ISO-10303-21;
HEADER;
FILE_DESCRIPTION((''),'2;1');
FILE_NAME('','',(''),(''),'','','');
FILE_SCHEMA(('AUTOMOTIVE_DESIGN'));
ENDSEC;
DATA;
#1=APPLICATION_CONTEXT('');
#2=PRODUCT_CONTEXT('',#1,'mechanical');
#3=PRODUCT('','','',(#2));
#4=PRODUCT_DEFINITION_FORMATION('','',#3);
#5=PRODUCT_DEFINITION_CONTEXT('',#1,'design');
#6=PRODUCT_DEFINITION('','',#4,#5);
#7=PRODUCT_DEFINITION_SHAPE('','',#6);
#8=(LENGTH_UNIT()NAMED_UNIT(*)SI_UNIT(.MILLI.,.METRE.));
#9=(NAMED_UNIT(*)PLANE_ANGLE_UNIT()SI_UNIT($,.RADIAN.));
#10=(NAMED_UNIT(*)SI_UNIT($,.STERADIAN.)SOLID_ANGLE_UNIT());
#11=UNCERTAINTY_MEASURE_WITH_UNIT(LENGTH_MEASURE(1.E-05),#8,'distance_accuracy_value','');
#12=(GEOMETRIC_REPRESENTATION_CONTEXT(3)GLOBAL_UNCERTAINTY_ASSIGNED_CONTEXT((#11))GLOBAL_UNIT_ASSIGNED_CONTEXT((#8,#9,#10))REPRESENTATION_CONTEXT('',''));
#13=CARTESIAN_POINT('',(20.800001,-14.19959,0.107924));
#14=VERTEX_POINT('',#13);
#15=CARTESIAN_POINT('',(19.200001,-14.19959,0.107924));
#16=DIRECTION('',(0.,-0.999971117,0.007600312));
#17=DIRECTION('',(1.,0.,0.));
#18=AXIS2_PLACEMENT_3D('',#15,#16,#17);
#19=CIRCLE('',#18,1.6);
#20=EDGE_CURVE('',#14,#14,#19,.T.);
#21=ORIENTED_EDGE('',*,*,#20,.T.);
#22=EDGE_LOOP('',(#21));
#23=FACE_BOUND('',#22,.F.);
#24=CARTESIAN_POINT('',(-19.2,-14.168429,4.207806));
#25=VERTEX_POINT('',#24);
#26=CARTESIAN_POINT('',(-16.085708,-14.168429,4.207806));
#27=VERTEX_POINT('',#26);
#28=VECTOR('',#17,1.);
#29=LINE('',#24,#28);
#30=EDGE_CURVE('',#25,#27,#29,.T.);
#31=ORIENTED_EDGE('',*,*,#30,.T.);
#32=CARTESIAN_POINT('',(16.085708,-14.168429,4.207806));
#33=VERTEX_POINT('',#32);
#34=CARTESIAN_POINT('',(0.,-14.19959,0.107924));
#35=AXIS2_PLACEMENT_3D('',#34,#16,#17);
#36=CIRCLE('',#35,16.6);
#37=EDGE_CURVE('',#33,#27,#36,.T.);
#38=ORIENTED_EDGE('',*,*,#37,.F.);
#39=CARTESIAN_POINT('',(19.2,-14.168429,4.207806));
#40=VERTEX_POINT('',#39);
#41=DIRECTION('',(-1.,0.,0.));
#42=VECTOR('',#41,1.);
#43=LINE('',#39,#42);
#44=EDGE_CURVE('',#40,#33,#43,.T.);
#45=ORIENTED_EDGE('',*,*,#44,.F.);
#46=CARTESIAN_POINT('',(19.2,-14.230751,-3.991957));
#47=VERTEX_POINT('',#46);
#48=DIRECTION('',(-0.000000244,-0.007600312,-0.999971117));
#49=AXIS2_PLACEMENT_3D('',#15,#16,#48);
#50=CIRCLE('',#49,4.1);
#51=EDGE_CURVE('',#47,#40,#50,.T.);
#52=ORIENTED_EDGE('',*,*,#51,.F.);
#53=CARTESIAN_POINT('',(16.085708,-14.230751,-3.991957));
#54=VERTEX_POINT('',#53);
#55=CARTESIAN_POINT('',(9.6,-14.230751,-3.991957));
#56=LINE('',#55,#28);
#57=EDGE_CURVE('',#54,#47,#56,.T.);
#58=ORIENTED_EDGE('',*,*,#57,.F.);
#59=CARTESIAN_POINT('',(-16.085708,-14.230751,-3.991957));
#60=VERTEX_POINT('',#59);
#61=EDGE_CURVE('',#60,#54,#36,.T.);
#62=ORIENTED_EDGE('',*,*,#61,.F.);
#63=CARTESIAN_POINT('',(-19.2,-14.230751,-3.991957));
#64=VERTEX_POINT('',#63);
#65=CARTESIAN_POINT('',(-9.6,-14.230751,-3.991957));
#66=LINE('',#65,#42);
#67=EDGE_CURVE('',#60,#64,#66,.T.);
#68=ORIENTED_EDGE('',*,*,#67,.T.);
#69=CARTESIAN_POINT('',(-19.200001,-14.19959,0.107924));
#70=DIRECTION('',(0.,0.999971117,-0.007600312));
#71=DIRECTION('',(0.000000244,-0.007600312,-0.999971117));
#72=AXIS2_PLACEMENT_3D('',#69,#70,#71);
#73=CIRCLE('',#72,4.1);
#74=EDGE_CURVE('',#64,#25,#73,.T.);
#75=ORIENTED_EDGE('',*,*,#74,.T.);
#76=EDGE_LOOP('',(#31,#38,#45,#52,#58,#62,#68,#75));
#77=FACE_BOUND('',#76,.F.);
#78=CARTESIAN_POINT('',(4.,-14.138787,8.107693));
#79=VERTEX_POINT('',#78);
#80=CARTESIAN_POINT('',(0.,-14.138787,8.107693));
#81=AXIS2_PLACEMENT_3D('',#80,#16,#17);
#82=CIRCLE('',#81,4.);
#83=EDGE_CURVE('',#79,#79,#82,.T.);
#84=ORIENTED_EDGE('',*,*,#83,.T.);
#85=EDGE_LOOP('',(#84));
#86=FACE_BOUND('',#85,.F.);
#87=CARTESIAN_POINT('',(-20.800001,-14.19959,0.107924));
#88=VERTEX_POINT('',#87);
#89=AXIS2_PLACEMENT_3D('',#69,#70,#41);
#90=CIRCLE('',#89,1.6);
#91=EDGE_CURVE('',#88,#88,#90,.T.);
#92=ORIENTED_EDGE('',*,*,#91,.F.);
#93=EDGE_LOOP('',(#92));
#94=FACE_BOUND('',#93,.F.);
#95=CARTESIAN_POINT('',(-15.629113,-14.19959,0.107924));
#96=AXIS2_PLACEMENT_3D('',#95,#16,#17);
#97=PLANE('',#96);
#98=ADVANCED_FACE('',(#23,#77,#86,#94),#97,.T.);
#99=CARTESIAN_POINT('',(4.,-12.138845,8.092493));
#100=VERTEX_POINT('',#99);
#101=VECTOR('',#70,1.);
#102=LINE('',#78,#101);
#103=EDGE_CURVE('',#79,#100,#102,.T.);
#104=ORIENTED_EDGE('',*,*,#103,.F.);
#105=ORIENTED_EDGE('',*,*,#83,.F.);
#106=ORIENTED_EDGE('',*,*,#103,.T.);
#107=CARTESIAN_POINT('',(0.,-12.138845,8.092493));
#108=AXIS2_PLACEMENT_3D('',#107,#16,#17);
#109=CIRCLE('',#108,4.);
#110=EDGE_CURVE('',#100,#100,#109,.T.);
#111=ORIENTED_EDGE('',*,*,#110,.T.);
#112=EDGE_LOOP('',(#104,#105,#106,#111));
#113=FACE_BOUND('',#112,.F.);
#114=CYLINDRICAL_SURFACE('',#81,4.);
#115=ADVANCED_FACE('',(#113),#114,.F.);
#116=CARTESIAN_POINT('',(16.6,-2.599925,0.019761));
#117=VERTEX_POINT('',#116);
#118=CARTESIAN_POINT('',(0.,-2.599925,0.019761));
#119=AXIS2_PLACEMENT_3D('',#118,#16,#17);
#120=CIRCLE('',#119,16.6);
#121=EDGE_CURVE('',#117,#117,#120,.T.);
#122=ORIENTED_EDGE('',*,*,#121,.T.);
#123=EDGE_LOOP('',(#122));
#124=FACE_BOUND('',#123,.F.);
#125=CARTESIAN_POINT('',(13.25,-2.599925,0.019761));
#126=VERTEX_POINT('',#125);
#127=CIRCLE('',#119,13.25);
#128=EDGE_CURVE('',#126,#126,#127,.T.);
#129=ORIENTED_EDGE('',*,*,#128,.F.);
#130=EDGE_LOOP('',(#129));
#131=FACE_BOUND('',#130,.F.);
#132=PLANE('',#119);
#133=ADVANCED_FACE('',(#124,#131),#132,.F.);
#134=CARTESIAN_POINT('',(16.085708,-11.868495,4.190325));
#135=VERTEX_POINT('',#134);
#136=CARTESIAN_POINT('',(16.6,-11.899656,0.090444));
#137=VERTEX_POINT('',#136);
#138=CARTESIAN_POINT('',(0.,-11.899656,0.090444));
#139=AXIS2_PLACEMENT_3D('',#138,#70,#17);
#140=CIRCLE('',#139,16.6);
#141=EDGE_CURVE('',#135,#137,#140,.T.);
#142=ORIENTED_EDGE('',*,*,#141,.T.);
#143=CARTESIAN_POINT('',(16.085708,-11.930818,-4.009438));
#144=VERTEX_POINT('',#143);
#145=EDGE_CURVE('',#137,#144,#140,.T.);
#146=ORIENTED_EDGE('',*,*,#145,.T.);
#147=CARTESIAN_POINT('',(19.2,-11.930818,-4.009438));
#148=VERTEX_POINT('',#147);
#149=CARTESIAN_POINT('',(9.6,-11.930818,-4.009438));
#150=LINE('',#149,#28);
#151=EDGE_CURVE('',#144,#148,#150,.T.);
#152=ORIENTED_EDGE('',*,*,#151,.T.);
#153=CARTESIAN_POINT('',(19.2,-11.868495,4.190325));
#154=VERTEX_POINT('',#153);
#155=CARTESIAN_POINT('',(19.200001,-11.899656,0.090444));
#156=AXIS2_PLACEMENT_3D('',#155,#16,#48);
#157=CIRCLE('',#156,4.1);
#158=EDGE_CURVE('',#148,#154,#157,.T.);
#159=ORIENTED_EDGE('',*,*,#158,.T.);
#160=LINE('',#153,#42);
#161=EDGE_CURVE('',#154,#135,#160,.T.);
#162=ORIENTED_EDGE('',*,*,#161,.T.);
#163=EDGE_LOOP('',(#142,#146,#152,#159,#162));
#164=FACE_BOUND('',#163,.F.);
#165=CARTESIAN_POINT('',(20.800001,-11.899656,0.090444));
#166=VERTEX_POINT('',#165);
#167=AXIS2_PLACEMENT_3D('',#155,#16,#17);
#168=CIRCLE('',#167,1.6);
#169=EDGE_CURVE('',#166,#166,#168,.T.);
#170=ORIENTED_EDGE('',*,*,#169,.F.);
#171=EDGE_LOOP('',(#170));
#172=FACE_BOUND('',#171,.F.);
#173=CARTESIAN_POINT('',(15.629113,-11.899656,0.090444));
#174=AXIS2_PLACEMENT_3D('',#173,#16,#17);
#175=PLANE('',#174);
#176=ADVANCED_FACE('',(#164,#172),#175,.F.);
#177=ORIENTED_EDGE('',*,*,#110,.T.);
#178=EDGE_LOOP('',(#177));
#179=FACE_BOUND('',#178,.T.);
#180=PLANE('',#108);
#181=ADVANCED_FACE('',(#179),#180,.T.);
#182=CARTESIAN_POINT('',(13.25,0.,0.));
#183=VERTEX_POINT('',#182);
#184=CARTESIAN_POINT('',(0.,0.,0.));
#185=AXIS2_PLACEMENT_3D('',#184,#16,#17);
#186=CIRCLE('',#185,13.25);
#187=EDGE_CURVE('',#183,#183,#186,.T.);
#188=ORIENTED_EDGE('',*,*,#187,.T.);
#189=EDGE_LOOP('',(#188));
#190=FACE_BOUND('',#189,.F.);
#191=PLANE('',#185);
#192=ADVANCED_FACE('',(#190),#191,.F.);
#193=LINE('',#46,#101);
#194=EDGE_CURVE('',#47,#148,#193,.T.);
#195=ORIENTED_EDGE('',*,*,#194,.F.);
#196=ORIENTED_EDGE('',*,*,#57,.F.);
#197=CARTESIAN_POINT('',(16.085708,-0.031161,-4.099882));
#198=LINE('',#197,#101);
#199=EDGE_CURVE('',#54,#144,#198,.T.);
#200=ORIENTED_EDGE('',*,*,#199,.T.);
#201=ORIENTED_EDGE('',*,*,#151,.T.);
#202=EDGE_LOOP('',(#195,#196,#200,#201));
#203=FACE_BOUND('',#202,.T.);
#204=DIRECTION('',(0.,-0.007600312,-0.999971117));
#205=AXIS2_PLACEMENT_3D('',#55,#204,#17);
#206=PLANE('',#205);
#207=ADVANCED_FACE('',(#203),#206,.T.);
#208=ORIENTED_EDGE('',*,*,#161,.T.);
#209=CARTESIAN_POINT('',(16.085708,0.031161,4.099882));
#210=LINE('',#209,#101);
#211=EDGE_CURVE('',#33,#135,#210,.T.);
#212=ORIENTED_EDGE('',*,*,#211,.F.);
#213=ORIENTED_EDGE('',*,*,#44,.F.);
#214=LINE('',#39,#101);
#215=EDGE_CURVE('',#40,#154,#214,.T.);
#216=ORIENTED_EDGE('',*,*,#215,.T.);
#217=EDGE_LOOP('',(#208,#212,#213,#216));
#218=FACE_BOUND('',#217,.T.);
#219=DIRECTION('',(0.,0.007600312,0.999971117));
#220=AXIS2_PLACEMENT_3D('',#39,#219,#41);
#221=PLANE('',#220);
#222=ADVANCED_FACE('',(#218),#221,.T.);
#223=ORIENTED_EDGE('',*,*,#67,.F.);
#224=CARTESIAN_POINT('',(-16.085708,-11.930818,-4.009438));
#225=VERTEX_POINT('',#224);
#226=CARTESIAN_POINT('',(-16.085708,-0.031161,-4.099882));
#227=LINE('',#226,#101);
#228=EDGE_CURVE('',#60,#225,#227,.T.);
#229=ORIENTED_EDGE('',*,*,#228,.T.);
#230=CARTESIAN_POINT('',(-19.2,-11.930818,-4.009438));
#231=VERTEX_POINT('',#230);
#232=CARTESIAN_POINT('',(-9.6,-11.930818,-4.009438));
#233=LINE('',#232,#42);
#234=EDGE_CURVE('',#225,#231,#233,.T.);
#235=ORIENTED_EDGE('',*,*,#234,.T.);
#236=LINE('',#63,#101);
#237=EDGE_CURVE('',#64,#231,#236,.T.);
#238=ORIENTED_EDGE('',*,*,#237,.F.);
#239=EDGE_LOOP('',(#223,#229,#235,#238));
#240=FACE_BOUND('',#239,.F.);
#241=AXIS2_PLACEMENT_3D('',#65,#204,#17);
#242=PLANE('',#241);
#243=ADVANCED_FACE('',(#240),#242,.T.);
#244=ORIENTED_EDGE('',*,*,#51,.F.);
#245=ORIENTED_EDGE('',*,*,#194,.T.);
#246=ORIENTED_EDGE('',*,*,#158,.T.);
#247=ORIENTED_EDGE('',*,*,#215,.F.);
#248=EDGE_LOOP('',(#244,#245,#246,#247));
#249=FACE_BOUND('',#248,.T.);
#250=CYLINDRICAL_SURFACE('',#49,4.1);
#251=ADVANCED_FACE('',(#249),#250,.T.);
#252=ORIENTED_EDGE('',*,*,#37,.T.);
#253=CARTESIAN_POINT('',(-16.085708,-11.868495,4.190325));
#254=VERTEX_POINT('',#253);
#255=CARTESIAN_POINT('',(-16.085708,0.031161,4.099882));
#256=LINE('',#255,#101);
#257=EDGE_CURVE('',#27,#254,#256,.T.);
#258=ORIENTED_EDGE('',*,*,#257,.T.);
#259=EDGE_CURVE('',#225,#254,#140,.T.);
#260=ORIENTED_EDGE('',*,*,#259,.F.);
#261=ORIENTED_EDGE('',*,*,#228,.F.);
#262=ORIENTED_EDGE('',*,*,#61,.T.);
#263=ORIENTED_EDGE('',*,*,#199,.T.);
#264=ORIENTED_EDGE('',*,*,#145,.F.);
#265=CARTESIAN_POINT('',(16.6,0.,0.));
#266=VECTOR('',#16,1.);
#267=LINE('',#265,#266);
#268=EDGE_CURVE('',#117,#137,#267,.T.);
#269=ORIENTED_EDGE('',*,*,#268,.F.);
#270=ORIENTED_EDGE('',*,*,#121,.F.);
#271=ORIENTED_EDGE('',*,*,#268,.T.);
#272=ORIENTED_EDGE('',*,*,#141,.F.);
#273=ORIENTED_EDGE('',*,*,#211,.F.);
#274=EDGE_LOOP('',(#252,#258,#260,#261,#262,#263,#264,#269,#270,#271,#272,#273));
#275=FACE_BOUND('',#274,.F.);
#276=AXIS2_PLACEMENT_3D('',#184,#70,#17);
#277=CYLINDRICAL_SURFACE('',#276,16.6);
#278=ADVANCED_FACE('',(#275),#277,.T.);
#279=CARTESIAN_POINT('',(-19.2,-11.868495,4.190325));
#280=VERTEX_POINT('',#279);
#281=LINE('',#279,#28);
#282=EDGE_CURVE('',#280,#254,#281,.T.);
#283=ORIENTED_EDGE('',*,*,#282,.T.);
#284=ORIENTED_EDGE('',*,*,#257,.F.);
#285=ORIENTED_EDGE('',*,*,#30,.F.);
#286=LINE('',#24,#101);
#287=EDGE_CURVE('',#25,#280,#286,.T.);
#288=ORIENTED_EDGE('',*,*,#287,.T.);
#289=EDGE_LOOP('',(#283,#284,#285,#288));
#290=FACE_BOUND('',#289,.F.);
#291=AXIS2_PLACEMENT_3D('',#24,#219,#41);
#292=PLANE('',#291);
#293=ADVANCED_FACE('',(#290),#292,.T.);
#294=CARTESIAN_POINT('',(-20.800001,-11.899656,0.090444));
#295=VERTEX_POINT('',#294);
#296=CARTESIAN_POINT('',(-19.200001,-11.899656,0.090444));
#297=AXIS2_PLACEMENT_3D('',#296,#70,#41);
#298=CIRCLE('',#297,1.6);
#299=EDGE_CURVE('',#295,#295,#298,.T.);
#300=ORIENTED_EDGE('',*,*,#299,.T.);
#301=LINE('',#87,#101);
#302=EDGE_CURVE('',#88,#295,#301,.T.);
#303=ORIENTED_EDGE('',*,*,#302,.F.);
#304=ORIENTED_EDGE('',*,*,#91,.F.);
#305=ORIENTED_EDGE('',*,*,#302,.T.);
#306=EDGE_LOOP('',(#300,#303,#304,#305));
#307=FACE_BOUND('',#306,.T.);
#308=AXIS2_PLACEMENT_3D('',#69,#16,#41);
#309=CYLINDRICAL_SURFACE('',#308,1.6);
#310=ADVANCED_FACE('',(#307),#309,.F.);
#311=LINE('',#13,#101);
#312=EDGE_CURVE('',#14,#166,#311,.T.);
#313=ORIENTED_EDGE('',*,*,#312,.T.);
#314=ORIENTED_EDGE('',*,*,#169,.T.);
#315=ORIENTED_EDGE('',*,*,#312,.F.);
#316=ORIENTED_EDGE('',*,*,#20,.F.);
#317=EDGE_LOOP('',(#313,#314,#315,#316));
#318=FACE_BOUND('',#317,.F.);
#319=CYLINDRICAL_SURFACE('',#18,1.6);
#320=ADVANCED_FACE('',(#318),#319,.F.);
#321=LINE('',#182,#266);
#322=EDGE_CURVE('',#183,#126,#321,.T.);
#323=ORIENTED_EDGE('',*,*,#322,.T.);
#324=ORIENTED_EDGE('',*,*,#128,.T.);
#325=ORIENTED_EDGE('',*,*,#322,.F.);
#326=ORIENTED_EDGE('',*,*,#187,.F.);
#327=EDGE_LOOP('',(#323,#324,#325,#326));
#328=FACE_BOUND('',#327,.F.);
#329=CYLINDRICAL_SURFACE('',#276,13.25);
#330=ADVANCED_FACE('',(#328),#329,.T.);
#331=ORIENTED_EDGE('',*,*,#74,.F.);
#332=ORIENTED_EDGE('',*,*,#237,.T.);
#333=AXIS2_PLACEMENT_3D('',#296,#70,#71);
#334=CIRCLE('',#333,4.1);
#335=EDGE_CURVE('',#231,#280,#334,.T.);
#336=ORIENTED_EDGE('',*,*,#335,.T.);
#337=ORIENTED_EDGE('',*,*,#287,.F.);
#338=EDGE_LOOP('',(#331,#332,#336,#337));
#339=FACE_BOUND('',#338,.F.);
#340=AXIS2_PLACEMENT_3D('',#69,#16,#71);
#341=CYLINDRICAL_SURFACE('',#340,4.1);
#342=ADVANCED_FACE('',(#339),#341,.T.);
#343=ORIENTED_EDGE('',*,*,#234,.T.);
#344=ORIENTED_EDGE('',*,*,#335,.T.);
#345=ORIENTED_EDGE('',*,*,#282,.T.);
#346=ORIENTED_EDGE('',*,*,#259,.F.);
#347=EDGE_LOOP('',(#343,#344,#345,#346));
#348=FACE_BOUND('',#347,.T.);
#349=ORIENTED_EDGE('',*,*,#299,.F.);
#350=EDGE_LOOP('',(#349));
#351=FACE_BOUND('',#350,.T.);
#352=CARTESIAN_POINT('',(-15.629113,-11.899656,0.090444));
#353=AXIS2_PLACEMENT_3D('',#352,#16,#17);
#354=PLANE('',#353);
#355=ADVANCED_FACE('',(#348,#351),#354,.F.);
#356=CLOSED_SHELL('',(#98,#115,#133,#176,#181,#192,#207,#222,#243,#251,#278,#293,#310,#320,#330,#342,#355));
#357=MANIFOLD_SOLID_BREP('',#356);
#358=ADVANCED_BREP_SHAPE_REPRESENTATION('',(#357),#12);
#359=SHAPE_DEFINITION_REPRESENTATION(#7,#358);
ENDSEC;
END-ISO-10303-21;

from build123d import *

# Parameters (mm, degrees)
SKETCH002_R        = 16.6
PAD001_DEPTH       = 14.2
SKETCH003_R        = 16.6
SKETCH003_R_2      = 13.25
POCKET001_DEPTH    = 2.6
SKETCH009_R        = 4
POCKET004_DEPTH    = 2
SKETCH005_R        = 1.6
PAD005_DEPTH       = 2.3
BODY001_ROLL_ANGLE = -0.43547


with BuildPart() as part:
    # Sketch002 → Pad001 (new body)
    with BuildSketch(Plane.XZ):
        Circle(SKETCH002_R)
    extrude(amount=PAD001_DEPTH)

    # Sketch003 → Pocket001 (cut)
    with BuildSketch(Plane.XZ):
        Circle(SKETCH003_R)
        Circle(SKETCH003_R_2, mode=Mode.SUBTRACT)
    extrude(amount=POCKET001_DEPTH, mode=Mode.SUBTRACT)

    # Sketch009 (on Face3 of Pocket001) → Pocket004 (cut)
    with BuildSketch(Plane.XZ.offset(14.2)):
        with Locations((0, 8)):
            Circle(SKETCH009_R)
    extrude(amount=-POCKET004_DEPTH, mode=Mode.SUBTRACT)

    # Sketch005 (on Face3 of Pocket001) → Pad005 (join)
    with BuildSketch(Plane.XZ.offset(14.2)):
        with BuildLine():
            ThreePointArc((19.2, -4.1), (23.300001, 0), (19.2, 4.1))
            Line((19.2, 4.1), (9.6, 4.1))
            Line((9.6, 4.1), (9.6, -4.1))
            Line((9.6, -4.1), (19.2, -4.1))
        make_face()
        with Locations((19.200001, 0)):
            Circle(SKETCH005_R, mode=Mode.SUBTRACT)
    pad005 = extrude(amount=-PAD005_DEPTH)

    # Mirrored: Pad005 across Sketch005 V_Axis
    add(pad005.mirror(Plane(origin=(0, -14.2, 0), x_dir=(0, -1, 0), z_dir=(1, 0, 0))))


with BuildPart() as part_1:
    # Body001 roll: moved
    add(part.part.rotate(Axis((0, 0, 0), (1, 0, 0)), BODY001_ROLL_ANGLE))


with BuildPart() as part_2:
    # Body001 placement: moved
    add(part_1.part.moved(Location((0, 0, 0))))


solid = part_2.part
